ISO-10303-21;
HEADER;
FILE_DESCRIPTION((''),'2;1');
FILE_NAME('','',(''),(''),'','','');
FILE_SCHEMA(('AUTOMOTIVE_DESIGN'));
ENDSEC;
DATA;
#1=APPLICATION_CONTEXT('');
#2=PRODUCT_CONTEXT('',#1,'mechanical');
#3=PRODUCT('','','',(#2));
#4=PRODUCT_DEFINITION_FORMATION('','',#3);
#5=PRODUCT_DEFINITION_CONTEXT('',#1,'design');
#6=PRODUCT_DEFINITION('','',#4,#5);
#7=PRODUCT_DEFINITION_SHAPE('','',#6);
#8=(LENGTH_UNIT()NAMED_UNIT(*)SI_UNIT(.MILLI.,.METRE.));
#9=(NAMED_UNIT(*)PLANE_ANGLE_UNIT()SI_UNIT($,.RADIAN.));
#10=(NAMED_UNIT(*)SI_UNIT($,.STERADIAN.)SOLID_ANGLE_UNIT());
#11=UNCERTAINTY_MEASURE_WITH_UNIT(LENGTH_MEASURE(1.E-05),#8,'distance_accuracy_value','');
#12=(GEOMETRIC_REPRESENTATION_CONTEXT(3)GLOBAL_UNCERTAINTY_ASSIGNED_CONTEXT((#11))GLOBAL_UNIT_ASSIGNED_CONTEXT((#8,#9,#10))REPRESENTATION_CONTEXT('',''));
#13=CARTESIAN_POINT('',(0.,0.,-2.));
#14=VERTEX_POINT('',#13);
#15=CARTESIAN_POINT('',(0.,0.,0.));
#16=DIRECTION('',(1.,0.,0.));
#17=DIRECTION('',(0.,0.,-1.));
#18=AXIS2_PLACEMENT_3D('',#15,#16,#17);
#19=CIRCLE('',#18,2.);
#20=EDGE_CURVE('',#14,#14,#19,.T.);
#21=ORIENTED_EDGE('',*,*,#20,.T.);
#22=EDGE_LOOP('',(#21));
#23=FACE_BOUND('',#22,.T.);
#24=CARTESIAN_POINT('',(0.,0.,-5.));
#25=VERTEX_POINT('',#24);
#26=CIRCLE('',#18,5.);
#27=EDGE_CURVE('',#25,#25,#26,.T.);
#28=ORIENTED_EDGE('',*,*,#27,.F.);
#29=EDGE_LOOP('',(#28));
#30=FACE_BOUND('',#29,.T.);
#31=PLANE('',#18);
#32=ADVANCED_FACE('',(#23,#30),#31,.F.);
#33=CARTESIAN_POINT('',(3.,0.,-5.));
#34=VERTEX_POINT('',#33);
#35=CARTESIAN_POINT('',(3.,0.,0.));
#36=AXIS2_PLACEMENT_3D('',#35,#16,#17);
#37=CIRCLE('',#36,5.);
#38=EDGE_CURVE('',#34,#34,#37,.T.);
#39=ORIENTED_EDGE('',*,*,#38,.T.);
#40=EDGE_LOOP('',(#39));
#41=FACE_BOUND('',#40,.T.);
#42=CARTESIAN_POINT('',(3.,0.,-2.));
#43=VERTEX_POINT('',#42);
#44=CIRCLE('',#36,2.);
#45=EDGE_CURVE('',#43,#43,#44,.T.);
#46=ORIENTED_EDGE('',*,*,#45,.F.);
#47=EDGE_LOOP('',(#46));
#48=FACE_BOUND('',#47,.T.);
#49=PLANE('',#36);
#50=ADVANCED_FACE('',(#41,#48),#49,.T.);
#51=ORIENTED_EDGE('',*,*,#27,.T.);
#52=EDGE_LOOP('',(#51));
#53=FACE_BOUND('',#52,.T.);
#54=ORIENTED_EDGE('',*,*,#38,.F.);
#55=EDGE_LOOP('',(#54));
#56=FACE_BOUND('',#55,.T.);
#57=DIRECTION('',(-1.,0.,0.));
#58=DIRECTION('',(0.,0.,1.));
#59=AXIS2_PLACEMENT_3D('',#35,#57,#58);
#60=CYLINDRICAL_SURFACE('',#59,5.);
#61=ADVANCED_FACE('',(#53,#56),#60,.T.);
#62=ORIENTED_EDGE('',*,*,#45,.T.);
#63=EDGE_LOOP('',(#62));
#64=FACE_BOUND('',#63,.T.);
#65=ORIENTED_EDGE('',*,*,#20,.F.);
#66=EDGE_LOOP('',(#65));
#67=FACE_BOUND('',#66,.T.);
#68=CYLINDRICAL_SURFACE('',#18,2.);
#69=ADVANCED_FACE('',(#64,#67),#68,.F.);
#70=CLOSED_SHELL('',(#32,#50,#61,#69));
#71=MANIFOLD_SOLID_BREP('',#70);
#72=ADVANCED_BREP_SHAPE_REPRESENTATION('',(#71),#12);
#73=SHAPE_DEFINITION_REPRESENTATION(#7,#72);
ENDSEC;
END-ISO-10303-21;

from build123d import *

# Parameters (mm, degrees)
SKETCH1_R           = 5
BOSS_EXTRUDE1_DEPTH = 3
SKETCH2_R           = 2
CUT_EXTRUDE1_DEPTH  = 4


with BuildPart() as part:
    # Sketch1 → Boss-Extrude1 (new body)
    with BuildSketch(Plane(origin=(0, 0, 0), x_dir=(0, 0, -1), z_dir=(1, 0, 0))):
        Circle(SKETCH1_R)
    extrude(amount=BOSS_EXTRUDE1_DEPTH)

    # Sketch2 → Cut-Extrude1 (cut, through all)
    with BuildSketch(Plane(origin=(3, 0, 0), x_dir=(0, 0, -1), z_dir=(1, 0, 0))):
        Circle(SKETCH2_R)
    extrude(amount=-CUT_EXTRUDE1_DEPTH, mode=Mode.SUBTRACT)


solid = part.part
